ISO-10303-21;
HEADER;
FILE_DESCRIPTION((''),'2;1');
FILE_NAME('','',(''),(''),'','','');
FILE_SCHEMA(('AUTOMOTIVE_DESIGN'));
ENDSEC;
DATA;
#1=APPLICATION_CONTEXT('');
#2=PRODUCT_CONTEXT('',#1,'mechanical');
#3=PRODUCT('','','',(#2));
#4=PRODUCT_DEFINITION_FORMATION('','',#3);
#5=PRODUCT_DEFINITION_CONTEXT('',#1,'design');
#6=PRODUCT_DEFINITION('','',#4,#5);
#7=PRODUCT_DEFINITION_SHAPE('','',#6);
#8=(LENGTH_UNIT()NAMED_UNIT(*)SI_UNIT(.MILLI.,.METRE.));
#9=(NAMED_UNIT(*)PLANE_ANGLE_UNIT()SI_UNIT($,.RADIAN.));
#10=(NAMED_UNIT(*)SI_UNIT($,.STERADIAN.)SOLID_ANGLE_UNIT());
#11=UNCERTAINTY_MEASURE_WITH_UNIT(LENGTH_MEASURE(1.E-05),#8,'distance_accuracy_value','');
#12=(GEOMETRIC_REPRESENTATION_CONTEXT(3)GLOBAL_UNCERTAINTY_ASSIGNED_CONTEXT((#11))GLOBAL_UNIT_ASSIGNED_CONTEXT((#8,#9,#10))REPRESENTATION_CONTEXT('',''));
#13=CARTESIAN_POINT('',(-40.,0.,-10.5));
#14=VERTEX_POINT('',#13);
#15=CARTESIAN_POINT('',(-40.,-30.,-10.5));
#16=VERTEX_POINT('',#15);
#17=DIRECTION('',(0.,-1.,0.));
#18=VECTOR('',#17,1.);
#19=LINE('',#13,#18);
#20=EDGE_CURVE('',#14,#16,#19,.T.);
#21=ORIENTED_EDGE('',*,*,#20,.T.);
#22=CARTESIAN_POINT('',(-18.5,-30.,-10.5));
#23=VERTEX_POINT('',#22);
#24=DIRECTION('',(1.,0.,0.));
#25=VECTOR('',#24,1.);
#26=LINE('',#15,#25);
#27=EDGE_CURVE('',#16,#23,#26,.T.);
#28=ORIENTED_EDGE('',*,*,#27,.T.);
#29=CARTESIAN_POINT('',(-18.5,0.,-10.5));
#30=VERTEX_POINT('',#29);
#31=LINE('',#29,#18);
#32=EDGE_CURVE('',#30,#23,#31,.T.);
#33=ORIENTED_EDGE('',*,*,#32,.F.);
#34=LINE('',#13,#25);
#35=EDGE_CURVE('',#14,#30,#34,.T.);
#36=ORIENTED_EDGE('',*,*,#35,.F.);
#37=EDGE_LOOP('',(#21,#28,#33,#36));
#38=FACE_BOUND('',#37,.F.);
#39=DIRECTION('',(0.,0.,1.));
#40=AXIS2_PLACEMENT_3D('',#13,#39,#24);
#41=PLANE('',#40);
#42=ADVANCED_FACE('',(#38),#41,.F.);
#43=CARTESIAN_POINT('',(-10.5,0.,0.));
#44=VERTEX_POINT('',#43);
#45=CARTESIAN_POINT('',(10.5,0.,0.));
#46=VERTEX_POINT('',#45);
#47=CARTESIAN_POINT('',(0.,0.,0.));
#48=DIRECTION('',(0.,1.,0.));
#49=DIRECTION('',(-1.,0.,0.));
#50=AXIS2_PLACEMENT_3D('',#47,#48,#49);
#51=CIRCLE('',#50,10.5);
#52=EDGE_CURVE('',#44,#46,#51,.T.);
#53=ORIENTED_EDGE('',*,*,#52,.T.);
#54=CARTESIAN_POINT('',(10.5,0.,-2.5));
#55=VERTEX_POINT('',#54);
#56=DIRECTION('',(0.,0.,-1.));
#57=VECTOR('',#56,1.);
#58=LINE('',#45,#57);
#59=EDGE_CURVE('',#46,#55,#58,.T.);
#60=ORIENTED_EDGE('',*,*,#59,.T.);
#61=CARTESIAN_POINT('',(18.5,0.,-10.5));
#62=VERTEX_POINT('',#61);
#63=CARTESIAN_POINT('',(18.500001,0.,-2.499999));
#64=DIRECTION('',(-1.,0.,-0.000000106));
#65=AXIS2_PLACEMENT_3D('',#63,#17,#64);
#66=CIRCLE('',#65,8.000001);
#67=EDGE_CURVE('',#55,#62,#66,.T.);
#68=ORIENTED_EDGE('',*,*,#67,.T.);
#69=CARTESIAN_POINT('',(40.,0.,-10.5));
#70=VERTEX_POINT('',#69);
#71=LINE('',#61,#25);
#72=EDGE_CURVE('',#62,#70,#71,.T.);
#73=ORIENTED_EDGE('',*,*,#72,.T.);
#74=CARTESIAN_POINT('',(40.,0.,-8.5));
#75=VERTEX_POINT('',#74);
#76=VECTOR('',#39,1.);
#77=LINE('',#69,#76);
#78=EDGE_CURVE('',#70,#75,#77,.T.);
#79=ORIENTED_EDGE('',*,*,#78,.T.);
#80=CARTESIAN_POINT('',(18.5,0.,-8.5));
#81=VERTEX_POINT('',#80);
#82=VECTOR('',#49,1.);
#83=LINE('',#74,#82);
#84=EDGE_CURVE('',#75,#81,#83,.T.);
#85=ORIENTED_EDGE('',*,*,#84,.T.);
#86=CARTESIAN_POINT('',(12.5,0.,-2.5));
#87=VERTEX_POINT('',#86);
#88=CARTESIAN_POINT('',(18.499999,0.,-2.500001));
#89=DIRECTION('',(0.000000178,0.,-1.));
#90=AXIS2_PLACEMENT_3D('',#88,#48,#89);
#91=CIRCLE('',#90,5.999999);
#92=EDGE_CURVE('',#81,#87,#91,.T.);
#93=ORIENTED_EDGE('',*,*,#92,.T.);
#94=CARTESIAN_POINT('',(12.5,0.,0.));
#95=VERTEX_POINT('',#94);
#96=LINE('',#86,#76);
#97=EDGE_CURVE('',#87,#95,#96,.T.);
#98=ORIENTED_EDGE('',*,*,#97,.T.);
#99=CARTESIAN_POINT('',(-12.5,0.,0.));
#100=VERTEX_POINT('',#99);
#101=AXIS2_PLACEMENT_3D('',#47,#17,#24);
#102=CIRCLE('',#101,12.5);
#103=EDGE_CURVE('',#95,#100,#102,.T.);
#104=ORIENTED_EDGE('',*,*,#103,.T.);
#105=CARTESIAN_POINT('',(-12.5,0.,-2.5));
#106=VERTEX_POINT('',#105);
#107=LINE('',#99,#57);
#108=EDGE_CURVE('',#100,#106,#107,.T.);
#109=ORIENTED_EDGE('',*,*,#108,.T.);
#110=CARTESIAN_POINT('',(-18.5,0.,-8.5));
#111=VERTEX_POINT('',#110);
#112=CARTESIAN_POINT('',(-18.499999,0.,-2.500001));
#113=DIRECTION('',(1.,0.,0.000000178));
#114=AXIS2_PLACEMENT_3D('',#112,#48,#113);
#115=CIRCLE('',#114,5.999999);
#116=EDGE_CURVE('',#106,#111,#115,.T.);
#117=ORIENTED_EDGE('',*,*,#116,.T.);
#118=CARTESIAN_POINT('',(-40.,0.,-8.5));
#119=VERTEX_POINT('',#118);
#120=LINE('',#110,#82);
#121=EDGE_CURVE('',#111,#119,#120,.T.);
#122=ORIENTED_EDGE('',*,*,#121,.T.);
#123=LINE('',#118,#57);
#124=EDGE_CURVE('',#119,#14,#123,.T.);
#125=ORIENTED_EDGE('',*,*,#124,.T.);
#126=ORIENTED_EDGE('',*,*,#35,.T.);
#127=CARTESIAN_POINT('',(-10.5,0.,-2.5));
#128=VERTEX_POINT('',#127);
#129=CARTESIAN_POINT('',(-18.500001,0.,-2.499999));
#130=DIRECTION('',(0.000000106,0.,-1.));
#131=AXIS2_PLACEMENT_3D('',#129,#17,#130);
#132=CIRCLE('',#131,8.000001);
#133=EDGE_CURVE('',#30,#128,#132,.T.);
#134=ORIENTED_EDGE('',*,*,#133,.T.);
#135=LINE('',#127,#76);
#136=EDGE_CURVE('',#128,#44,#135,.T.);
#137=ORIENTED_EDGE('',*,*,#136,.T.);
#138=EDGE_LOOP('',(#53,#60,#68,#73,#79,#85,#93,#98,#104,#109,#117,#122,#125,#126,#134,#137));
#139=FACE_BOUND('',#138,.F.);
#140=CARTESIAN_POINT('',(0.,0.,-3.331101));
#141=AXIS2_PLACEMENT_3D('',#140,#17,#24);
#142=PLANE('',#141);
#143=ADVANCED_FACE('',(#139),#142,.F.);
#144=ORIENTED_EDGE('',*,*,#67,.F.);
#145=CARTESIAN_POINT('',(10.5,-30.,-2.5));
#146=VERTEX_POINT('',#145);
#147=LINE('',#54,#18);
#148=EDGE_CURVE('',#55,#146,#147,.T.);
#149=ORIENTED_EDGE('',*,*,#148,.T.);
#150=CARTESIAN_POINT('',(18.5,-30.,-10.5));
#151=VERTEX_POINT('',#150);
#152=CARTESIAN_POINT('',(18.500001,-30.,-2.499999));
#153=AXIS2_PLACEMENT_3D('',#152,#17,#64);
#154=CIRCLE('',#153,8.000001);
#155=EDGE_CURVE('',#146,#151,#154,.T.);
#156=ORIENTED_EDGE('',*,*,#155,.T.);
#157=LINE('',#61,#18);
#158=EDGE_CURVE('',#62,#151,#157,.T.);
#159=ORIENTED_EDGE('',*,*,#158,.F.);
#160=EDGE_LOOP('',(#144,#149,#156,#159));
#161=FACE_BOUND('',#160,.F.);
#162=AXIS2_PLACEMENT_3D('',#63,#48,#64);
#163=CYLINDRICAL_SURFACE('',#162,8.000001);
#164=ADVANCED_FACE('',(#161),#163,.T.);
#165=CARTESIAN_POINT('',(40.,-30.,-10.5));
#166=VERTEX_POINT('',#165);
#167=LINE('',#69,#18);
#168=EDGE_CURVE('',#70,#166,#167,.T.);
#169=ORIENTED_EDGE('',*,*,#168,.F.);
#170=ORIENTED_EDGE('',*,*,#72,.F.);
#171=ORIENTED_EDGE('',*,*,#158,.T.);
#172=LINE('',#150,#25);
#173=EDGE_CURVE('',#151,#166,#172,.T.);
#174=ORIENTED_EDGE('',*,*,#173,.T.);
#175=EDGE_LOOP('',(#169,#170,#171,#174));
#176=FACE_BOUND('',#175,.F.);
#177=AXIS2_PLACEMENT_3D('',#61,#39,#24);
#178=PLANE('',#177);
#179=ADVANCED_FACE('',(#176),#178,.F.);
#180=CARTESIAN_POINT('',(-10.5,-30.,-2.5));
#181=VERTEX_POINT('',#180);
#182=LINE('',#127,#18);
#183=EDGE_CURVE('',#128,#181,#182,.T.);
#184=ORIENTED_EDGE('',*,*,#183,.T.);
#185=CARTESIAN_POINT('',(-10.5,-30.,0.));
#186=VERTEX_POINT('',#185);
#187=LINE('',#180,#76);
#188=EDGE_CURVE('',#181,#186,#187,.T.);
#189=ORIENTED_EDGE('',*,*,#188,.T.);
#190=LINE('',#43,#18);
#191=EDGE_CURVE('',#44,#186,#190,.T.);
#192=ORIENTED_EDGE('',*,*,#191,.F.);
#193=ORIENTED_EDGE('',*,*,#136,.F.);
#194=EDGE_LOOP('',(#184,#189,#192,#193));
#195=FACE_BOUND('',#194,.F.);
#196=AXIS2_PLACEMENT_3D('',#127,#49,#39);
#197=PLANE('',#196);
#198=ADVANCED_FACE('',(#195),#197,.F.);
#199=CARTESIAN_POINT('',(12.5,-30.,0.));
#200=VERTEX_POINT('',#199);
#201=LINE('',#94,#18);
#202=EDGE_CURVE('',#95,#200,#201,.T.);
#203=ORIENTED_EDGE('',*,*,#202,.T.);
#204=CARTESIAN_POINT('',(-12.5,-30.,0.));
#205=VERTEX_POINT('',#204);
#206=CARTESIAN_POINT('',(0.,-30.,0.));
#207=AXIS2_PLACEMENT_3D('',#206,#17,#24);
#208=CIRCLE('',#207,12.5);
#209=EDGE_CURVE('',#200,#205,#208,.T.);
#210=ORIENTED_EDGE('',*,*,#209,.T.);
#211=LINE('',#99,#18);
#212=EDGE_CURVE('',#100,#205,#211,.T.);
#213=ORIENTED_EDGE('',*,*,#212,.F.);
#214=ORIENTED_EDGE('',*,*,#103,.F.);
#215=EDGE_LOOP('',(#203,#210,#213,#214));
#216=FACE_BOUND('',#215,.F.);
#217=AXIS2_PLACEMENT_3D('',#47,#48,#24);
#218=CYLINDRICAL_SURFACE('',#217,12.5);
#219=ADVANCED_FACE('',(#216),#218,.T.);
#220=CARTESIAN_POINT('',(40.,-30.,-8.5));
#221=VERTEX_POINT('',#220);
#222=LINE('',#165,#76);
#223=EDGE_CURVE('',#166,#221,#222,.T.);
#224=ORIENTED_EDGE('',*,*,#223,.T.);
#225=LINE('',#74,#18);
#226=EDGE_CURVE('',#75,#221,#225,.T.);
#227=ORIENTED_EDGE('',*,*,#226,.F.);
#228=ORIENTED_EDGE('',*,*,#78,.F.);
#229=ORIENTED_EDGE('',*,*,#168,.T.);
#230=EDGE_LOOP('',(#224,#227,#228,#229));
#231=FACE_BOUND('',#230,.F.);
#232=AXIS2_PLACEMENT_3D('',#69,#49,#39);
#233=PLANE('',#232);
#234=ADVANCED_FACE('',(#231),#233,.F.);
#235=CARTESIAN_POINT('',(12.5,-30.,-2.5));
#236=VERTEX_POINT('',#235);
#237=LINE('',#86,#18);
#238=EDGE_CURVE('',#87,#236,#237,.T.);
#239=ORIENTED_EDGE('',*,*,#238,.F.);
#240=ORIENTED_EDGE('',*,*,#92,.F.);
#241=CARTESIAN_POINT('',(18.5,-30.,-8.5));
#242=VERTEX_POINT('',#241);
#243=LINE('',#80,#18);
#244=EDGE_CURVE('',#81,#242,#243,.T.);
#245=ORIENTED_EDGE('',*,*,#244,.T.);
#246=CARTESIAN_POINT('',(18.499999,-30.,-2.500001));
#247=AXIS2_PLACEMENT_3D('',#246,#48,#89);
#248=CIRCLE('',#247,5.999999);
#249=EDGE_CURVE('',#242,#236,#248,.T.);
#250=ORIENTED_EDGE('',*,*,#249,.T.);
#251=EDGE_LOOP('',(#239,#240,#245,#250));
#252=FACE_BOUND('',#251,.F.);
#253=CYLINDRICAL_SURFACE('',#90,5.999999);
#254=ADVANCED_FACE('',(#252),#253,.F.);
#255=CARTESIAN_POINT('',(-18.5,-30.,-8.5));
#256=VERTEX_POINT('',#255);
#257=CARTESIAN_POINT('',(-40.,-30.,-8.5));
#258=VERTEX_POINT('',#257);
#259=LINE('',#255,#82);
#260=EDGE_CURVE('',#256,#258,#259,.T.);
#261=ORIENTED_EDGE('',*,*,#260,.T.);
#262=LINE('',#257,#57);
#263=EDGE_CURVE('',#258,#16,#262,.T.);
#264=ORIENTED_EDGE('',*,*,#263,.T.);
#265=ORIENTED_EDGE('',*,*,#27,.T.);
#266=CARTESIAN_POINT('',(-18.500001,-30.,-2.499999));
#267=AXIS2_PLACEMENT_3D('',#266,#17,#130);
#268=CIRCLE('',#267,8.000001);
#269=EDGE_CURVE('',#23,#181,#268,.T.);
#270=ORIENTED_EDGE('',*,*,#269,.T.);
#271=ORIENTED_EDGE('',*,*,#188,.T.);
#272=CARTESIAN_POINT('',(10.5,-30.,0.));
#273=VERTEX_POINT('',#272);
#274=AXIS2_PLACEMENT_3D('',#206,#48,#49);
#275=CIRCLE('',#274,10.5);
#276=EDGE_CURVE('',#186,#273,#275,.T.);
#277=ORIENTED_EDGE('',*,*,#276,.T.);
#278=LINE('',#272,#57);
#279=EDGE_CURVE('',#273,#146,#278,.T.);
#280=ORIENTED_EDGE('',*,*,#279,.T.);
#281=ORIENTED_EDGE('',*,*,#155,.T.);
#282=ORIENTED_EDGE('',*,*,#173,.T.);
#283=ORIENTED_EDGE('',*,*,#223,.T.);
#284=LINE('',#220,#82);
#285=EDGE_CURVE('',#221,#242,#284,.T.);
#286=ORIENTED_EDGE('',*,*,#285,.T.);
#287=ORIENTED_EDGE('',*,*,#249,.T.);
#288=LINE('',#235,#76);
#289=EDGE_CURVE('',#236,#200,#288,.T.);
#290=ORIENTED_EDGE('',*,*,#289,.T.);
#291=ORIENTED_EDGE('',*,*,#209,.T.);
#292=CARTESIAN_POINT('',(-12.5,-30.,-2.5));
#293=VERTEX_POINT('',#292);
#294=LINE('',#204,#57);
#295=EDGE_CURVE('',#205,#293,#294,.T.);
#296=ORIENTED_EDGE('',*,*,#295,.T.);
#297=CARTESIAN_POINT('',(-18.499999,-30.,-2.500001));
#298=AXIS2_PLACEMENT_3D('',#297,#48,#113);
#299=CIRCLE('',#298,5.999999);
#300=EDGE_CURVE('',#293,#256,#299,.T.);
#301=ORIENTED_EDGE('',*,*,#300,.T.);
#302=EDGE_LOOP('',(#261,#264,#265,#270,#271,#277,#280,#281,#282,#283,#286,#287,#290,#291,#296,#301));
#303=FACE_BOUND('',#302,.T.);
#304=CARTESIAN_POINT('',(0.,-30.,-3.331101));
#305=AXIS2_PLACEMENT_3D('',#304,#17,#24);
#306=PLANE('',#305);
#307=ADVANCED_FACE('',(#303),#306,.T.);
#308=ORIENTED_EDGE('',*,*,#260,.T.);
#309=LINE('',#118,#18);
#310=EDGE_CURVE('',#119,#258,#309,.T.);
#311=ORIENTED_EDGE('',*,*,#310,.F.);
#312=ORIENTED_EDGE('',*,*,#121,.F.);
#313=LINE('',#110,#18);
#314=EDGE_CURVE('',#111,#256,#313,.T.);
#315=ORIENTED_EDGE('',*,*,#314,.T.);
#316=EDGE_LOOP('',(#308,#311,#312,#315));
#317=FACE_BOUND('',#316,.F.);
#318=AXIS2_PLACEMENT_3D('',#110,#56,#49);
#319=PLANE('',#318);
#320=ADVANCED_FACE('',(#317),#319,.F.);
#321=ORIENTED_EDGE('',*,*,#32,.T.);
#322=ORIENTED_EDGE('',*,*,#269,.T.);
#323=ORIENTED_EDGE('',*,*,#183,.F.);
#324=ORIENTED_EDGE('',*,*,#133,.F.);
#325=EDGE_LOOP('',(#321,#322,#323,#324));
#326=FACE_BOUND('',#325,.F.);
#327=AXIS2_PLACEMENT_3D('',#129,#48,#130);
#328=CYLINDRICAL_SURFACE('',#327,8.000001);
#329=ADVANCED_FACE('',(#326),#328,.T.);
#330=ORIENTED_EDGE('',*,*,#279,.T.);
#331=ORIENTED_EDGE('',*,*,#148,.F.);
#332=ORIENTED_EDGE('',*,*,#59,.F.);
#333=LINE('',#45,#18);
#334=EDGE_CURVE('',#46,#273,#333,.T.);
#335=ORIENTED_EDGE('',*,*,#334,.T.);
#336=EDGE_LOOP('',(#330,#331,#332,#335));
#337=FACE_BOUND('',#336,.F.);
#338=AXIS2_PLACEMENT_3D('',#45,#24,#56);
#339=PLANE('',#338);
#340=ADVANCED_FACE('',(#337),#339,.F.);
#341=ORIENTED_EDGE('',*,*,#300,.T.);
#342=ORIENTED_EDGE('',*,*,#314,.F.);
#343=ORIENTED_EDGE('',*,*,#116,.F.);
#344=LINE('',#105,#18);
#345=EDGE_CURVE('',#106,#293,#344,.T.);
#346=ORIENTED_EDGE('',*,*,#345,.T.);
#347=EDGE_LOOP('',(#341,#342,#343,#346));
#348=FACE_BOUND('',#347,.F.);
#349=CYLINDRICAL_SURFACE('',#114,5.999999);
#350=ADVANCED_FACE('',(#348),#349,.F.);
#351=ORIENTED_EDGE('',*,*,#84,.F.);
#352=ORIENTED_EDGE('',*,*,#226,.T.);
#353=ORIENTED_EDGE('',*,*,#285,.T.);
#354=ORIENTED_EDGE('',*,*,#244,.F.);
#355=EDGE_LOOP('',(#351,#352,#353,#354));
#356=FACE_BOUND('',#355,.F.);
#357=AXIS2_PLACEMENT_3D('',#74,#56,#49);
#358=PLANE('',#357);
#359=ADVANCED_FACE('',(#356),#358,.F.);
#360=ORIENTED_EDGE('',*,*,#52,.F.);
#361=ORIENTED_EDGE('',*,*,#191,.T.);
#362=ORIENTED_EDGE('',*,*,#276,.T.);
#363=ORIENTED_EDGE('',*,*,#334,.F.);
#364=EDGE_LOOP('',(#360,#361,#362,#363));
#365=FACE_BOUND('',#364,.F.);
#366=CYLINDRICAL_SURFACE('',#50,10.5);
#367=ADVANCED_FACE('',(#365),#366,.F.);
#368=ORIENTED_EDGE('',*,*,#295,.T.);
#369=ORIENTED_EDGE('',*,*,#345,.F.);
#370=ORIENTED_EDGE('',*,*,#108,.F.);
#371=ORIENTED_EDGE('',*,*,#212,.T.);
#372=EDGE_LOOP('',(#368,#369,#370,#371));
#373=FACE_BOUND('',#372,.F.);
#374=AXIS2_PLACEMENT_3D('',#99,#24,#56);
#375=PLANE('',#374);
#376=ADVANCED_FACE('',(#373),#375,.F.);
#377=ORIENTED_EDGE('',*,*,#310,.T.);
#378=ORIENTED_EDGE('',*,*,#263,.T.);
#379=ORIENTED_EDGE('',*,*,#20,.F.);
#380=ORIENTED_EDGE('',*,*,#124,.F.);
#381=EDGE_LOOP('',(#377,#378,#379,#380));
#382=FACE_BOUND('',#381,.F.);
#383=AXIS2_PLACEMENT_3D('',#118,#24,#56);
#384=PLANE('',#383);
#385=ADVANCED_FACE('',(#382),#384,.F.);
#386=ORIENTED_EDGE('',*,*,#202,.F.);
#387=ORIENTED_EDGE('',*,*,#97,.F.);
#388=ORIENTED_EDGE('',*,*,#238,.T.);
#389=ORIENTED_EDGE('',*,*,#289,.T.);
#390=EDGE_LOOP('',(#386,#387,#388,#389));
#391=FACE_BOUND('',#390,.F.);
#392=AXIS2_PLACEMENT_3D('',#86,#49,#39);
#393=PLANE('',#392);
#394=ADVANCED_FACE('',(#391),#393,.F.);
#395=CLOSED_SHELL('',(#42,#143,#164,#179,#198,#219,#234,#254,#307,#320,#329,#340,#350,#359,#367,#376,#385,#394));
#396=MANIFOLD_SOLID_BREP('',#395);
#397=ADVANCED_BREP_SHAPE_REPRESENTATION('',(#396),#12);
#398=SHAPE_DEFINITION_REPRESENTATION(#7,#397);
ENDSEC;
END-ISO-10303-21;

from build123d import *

# Parameters (mm, degrees)
F1_DEPTH = 30


with BuildPart() as f1:
    # F0 (on Front) → F1 (new body)
    with BuildSketch(Plane.XZ):
        with BuildLine():
            ThreePointArc((-10.5, 0), (0, 10.5), (10.5, 0))
            Line((10.5, 0), (10.5, -2.5))
            ThreePointArc((10.5, -2.5), (12.843146, -8.156854), (18.5, -10.5))
            Line((18.5, -10.5), (40, -10.5))
            Line((40, -10.5), (40, -8.5))
            Line((40, -8.5), (18.5, -8.5))
            ThreePointArc((18.5, -8.5), (14.257359, -6.742641), (12.5, -2.5))
            Line((12.5, -2.5), (12.5, 0))
            ThreePointArc((12.5, 0), (0, 12.5), (-12.5, 0))
            Line((-12.5, 0), (-12.5, -2.5))
            ThreePointArc((-12.5, -2.5), (-14.257359, -6.742641), (-18.5, -8.5))
            Line((-18.5, -8.5), (-40, -8.5))
            Line((-40, -8.5), (-40, -10.5))
            Line((-40, -10.5), (-18.5, -10.5))
            ThreePointArc((-18.5, -10.5), (-12.843146, -8.156854), (-10.5, -2.5))
            Line((-10.5, -2.5), (-10.5, 0))
        make_face()
    extrude(amount=F1_DEPTH)


solid = f1.part
